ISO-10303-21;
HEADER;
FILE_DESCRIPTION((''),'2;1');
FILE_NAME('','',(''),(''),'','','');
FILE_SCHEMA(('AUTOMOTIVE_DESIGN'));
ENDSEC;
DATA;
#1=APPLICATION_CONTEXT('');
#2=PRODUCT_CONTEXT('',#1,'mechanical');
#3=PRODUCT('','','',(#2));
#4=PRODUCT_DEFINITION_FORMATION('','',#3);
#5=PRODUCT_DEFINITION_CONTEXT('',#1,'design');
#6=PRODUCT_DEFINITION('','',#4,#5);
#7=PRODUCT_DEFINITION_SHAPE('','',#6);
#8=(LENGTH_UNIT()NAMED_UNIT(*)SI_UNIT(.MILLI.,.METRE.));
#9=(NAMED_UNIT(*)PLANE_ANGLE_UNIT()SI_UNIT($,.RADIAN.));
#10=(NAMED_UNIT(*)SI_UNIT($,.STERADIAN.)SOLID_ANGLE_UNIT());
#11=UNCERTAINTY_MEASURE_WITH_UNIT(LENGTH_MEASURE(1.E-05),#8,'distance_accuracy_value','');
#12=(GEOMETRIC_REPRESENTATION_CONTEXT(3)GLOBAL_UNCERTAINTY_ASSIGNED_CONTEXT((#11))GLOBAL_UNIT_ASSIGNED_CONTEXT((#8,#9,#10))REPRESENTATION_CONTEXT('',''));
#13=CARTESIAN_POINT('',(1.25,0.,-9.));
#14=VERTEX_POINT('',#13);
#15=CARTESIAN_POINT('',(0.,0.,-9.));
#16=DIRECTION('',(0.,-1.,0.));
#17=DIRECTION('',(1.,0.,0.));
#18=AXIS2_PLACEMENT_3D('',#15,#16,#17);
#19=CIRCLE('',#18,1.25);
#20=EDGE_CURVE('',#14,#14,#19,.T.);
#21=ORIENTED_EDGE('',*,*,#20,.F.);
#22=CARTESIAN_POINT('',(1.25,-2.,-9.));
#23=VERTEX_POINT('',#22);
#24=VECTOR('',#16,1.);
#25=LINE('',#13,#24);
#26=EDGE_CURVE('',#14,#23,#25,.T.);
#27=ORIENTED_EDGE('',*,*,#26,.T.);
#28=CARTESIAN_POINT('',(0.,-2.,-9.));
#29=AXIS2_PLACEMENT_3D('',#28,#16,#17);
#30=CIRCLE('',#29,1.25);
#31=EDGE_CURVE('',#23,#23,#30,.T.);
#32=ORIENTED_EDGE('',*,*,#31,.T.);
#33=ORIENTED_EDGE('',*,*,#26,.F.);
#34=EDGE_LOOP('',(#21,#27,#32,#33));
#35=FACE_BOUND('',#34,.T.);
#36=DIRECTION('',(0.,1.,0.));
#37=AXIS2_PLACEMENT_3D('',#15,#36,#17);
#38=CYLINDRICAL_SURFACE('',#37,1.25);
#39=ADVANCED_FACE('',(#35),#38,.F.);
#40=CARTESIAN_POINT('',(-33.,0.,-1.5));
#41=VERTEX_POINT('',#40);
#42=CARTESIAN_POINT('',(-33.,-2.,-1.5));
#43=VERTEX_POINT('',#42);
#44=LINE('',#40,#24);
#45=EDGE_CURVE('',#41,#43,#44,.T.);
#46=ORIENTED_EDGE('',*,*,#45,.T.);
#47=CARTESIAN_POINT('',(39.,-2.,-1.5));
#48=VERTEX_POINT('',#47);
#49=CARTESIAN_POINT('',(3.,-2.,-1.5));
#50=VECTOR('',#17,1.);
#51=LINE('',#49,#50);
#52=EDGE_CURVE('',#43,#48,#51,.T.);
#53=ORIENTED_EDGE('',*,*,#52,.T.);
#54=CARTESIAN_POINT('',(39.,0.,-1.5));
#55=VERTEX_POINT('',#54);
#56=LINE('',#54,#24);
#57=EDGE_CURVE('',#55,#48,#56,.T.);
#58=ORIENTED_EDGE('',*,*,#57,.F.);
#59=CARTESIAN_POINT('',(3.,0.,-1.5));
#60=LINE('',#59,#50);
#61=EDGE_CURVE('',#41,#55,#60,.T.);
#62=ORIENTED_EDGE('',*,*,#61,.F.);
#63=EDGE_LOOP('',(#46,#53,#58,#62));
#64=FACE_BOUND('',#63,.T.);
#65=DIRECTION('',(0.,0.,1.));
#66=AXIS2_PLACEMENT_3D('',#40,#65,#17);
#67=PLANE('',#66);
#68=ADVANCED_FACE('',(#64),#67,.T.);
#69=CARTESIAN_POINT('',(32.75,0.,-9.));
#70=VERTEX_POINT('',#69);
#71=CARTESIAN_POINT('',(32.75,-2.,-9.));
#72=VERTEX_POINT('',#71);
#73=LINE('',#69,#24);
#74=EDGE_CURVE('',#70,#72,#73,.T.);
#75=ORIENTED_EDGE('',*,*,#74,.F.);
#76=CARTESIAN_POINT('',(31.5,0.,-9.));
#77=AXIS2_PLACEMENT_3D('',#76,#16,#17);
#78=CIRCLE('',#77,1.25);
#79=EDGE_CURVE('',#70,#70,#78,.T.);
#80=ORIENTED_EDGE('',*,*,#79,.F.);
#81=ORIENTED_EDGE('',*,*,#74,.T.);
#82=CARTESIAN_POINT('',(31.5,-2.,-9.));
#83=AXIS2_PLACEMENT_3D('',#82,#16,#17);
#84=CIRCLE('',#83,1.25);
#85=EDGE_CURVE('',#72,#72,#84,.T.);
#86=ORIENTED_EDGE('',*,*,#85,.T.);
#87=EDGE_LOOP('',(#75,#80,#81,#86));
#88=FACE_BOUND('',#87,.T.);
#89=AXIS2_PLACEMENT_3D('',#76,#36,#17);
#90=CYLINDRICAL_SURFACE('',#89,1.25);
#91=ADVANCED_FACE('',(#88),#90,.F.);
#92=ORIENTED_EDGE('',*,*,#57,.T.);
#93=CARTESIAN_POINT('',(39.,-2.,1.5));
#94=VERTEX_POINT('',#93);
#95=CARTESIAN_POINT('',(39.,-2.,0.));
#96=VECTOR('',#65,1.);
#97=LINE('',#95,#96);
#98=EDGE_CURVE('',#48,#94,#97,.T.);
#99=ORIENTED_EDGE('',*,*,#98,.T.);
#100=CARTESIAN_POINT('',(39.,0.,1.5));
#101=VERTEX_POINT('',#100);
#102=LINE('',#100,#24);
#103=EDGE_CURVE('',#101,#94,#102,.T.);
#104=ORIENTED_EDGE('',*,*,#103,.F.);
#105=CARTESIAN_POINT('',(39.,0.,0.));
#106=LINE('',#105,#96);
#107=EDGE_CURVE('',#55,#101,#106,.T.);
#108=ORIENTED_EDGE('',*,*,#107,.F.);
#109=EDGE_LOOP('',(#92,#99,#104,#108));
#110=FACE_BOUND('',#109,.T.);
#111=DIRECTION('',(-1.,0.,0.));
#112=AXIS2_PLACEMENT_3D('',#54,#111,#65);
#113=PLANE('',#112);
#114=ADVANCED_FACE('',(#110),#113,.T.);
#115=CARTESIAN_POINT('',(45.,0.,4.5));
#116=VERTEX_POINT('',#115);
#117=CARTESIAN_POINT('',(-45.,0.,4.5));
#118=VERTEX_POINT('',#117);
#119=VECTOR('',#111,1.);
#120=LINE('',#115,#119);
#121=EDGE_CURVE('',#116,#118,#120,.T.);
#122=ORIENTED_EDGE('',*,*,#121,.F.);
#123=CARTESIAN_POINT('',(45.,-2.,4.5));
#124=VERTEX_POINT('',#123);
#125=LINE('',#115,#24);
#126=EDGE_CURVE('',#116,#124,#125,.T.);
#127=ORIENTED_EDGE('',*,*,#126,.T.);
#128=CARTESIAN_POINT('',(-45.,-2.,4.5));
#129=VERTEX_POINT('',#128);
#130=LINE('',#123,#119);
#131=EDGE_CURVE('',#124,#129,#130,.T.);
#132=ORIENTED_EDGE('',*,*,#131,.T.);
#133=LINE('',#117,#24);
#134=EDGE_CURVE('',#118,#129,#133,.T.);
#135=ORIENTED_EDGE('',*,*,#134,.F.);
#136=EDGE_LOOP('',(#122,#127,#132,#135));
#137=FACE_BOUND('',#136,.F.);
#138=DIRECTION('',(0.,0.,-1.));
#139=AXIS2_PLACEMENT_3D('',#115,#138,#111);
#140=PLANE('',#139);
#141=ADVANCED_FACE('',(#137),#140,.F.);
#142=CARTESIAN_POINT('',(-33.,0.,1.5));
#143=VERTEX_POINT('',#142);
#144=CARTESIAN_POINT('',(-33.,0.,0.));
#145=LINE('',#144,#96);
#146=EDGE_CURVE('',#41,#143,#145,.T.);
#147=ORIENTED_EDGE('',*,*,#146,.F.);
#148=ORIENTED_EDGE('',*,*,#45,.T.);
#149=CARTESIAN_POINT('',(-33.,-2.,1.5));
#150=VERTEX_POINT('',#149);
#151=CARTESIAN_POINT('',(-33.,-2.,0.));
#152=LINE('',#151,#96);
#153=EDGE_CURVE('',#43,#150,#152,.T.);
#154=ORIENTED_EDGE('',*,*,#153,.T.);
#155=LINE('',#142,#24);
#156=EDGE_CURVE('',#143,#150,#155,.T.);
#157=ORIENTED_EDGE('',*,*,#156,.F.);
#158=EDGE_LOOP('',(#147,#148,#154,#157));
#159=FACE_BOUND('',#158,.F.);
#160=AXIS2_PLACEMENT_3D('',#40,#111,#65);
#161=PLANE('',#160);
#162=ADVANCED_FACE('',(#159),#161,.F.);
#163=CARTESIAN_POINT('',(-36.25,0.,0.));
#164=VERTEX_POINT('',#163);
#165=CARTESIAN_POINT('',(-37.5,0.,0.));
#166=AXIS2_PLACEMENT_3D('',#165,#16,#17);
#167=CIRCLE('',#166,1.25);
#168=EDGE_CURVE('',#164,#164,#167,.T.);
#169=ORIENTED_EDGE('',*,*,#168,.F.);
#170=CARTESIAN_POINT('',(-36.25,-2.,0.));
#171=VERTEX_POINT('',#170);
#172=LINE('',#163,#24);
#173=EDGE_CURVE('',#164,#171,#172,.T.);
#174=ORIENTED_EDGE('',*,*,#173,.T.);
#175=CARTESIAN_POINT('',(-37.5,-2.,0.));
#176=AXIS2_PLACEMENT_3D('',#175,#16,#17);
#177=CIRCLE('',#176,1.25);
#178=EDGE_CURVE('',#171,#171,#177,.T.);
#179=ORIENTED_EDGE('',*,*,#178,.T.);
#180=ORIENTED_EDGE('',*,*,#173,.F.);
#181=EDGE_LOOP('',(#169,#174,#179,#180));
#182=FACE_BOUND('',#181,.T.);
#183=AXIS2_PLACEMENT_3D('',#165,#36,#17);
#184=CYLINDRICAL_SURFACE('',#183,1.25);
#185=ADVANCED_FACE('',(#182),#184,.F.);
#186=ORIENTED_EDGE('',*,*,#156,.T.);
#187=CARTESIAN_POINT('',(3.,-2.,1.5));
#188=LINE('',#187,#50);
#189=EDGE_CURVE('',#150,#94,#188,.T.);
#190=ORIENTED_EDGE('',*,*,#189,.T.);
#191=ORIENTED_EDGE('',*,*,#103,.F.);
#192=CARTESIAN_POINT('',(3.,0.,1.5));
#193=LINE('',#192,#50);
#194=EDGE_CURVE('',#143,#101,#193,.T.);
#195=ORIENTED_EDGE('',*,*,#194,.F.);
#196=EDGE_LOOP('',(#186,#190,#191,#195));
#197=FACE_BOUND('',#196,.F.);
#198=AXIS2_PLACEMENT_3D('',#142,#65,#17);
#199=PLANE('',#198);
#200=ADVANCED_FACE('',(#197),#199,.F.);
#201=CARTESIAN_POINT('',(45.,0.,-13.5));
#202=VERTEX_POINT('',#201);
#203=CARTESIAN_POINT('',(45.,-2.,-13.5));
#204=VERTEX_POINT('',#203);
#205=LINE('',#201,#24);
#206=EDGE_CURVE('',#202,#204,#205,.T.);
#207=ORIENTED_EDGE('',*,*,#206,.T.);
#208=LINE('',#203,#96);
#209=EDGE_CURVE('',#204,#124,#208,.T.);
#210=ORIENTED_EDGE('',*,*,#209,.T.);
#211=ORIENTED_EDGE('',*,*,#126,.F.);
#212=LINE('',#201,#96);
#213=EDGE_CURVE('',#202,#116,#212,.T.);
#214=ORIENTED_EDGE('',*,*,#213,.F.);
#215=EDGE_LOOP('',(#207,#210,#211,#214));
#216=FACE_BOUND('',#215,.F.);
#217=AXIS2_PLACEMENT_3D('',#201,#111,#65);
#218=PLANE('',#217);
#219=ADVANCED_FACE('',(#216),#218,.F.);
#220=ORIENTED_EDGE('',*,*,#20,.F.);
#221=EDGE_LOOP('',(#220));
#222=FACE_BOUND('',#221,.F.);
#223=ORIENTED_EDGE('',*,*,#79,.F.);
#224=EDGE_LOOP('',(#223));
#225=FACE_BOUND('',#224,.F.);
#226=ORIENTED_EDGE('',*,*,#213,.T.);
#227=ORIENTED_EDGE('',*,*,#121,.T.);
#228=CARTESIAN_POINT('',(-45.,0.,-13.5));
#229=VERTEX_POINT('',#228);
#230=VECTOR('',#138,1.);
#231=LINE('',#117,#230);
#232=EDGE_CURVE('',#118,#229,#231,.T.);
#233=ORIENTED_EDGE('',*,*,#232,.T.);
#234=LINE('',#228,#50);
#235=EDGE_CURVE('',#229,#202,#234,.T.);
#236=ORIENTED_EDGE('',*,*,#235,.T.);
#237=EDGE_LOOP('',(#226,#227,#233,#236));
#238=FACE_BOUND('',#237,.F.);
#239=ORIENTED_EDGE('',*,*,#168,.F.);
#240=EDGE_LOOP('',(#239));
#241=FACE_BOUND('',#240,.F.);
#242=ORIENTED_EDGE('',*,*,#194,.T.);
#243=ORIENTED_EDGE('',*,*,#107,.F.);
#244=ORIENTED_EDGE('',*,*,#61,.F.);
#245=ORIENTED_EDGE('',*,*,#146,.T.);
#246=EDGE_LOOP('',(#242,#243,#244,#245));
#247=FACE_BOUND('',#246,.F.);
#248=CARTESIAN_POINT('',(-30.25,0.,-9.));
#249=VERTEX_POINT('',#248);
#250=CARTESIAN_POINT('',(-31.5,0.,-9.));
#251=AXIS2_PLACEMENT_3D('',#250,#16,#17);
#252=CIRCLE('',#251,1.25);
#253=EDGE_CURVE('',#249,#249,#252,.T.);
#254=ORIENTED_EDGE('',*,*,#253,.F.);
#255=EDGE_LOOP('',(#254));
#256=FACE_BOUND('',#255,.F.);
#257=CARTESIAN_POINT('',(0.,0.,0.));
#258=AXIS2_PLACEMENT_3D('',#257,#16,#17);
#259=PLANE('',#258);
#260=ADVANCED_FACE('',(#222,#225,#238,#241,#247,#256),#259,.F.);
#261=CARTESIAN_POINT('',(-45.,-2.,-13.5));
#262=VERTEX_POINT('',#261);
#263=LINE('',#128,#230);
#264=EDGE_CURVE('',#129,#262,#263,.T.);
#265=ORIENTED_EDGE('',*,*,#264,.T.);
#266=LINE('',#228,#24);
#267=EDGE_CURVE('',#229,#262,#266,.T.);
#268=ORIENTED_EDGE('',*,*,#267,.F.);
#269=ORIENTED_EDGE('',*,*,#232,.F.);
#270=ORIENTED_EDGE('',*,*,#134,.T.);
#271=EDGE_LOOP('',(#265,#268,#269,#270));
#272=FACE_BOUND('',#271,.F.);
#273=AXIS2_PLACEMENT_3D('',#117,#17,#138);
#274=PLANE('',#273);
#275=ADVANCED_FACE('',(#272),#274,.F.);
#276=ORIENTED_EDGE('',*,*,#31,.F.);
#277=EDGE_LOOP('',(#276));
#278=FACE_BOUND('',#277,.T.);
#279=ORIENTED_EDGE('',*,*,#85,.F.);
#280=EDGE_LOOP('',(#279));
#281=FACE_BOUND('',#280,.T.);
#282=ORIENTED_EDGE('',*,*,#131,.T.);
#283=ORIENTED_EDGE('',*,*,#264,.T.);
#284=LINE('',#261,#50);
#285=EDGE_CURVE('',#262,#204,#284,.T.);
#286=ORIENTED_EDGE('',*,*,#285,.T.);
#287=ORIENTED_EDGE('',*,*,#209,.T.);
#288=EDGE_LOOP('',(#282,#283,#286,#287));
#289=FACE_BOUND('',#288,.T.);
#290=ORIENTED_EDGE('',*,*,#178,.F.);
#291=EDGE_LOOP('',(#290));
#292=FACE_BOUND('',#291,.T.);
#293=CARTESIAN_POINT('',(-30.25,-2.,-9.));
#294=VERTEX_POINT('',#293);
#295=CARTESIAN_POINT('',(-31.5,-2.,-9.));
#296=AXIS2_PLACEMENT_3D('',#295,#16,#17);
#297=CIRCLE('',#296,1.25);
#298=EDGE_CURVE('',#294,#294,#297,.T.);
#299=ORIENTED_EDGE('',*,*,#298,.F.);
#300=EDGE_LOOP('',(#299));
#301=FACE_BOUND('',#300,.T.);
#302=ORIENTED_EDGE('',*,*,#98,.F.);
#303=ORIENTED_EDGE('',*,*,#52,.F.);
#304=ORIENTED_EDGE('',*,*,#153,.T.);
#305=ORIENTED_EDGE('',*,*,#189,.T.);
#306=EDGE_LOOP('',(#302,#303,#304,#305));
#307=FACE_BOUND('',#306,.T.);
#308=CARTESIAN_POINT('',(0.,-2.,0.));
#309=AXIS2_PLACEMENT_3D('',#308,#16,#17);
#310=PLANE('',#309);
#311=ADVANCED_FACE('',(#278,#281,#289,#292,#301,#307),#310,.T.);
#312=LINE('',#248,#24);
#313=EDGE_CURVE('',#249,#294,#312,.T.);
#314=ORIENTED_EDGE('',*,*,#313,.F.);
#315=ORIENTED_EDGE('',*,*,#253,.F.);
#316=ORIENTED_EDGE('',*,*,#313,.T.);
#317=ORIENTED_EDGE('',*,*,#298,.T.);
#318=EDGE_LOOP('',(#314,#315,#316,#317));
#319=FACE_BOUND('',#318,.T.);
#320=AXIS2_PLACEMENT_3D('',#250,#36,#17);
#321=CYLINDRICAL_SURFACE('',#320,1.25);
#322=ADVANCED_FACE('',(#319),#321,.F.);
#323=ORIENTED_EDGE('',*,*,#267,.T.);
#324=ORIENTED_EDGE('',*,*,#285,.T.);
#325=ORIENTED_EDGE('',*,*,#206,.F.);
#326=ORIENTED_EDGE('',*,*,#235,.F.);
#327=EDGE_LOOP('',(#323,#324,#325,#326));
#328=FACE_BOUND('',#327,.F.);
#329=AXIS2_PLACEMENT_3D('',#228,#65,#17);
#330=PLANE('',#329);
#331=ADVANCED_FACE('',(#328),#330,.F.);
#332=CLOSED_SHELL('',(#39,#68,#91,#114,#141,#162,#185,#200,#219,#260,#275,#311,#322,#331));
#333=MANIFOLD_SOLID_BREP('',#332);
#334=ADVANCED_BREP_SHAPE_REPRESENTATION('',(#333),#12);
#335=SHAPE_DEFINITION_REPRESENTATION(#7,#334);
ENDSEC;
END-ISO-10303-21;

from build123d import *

# Parameters (mm, degrees)
F0_W     = 84
F0_H     = 9
F0_R     = 1.25
F0_W_2   = 72
F0_H_2   = 3
F1_DEPTH = 2


with BuildPart() as f1:
    # F0 (on Front) → F1 (new body)
    with BuildSketch(Plane.XZ):
        Rectangle(F0_W, F0_H)
        with Locations((-37.5, 0)):
            Circle(F0_R, mode=Mode.SUBTRACT)
        with Locations((3, 0)):
            Rectangle(F0_W_2, F0_H_2, mode=Mode.SUBTRACT)
        Polygon((45, 4.5), (42, 4.5), (42, -4.5), (42, -13.5), (45, -13.5), align=None)
        Polygon((-42, -4.5), (-42, 4.5), (-45, 4.5), (-45, -13.5), (-42, -13.5), align=None)
        with Locations((0, -9)):
            Rectangle(F0_W, F0_H)
        with Locations((-31.5, -9)):
            Circle(F0_R, mode=Mode.SUBTRACT)
        with Locations((0, -9)):
            Circle(F0_R, mode=Mode.SUBTRACT)
        with Locations((31.5, -9)):
            Circle(F0_R, mode=Mode.SUBTRACT)
    extrude(amount=F1_DEPTH)


solid = f1.part
